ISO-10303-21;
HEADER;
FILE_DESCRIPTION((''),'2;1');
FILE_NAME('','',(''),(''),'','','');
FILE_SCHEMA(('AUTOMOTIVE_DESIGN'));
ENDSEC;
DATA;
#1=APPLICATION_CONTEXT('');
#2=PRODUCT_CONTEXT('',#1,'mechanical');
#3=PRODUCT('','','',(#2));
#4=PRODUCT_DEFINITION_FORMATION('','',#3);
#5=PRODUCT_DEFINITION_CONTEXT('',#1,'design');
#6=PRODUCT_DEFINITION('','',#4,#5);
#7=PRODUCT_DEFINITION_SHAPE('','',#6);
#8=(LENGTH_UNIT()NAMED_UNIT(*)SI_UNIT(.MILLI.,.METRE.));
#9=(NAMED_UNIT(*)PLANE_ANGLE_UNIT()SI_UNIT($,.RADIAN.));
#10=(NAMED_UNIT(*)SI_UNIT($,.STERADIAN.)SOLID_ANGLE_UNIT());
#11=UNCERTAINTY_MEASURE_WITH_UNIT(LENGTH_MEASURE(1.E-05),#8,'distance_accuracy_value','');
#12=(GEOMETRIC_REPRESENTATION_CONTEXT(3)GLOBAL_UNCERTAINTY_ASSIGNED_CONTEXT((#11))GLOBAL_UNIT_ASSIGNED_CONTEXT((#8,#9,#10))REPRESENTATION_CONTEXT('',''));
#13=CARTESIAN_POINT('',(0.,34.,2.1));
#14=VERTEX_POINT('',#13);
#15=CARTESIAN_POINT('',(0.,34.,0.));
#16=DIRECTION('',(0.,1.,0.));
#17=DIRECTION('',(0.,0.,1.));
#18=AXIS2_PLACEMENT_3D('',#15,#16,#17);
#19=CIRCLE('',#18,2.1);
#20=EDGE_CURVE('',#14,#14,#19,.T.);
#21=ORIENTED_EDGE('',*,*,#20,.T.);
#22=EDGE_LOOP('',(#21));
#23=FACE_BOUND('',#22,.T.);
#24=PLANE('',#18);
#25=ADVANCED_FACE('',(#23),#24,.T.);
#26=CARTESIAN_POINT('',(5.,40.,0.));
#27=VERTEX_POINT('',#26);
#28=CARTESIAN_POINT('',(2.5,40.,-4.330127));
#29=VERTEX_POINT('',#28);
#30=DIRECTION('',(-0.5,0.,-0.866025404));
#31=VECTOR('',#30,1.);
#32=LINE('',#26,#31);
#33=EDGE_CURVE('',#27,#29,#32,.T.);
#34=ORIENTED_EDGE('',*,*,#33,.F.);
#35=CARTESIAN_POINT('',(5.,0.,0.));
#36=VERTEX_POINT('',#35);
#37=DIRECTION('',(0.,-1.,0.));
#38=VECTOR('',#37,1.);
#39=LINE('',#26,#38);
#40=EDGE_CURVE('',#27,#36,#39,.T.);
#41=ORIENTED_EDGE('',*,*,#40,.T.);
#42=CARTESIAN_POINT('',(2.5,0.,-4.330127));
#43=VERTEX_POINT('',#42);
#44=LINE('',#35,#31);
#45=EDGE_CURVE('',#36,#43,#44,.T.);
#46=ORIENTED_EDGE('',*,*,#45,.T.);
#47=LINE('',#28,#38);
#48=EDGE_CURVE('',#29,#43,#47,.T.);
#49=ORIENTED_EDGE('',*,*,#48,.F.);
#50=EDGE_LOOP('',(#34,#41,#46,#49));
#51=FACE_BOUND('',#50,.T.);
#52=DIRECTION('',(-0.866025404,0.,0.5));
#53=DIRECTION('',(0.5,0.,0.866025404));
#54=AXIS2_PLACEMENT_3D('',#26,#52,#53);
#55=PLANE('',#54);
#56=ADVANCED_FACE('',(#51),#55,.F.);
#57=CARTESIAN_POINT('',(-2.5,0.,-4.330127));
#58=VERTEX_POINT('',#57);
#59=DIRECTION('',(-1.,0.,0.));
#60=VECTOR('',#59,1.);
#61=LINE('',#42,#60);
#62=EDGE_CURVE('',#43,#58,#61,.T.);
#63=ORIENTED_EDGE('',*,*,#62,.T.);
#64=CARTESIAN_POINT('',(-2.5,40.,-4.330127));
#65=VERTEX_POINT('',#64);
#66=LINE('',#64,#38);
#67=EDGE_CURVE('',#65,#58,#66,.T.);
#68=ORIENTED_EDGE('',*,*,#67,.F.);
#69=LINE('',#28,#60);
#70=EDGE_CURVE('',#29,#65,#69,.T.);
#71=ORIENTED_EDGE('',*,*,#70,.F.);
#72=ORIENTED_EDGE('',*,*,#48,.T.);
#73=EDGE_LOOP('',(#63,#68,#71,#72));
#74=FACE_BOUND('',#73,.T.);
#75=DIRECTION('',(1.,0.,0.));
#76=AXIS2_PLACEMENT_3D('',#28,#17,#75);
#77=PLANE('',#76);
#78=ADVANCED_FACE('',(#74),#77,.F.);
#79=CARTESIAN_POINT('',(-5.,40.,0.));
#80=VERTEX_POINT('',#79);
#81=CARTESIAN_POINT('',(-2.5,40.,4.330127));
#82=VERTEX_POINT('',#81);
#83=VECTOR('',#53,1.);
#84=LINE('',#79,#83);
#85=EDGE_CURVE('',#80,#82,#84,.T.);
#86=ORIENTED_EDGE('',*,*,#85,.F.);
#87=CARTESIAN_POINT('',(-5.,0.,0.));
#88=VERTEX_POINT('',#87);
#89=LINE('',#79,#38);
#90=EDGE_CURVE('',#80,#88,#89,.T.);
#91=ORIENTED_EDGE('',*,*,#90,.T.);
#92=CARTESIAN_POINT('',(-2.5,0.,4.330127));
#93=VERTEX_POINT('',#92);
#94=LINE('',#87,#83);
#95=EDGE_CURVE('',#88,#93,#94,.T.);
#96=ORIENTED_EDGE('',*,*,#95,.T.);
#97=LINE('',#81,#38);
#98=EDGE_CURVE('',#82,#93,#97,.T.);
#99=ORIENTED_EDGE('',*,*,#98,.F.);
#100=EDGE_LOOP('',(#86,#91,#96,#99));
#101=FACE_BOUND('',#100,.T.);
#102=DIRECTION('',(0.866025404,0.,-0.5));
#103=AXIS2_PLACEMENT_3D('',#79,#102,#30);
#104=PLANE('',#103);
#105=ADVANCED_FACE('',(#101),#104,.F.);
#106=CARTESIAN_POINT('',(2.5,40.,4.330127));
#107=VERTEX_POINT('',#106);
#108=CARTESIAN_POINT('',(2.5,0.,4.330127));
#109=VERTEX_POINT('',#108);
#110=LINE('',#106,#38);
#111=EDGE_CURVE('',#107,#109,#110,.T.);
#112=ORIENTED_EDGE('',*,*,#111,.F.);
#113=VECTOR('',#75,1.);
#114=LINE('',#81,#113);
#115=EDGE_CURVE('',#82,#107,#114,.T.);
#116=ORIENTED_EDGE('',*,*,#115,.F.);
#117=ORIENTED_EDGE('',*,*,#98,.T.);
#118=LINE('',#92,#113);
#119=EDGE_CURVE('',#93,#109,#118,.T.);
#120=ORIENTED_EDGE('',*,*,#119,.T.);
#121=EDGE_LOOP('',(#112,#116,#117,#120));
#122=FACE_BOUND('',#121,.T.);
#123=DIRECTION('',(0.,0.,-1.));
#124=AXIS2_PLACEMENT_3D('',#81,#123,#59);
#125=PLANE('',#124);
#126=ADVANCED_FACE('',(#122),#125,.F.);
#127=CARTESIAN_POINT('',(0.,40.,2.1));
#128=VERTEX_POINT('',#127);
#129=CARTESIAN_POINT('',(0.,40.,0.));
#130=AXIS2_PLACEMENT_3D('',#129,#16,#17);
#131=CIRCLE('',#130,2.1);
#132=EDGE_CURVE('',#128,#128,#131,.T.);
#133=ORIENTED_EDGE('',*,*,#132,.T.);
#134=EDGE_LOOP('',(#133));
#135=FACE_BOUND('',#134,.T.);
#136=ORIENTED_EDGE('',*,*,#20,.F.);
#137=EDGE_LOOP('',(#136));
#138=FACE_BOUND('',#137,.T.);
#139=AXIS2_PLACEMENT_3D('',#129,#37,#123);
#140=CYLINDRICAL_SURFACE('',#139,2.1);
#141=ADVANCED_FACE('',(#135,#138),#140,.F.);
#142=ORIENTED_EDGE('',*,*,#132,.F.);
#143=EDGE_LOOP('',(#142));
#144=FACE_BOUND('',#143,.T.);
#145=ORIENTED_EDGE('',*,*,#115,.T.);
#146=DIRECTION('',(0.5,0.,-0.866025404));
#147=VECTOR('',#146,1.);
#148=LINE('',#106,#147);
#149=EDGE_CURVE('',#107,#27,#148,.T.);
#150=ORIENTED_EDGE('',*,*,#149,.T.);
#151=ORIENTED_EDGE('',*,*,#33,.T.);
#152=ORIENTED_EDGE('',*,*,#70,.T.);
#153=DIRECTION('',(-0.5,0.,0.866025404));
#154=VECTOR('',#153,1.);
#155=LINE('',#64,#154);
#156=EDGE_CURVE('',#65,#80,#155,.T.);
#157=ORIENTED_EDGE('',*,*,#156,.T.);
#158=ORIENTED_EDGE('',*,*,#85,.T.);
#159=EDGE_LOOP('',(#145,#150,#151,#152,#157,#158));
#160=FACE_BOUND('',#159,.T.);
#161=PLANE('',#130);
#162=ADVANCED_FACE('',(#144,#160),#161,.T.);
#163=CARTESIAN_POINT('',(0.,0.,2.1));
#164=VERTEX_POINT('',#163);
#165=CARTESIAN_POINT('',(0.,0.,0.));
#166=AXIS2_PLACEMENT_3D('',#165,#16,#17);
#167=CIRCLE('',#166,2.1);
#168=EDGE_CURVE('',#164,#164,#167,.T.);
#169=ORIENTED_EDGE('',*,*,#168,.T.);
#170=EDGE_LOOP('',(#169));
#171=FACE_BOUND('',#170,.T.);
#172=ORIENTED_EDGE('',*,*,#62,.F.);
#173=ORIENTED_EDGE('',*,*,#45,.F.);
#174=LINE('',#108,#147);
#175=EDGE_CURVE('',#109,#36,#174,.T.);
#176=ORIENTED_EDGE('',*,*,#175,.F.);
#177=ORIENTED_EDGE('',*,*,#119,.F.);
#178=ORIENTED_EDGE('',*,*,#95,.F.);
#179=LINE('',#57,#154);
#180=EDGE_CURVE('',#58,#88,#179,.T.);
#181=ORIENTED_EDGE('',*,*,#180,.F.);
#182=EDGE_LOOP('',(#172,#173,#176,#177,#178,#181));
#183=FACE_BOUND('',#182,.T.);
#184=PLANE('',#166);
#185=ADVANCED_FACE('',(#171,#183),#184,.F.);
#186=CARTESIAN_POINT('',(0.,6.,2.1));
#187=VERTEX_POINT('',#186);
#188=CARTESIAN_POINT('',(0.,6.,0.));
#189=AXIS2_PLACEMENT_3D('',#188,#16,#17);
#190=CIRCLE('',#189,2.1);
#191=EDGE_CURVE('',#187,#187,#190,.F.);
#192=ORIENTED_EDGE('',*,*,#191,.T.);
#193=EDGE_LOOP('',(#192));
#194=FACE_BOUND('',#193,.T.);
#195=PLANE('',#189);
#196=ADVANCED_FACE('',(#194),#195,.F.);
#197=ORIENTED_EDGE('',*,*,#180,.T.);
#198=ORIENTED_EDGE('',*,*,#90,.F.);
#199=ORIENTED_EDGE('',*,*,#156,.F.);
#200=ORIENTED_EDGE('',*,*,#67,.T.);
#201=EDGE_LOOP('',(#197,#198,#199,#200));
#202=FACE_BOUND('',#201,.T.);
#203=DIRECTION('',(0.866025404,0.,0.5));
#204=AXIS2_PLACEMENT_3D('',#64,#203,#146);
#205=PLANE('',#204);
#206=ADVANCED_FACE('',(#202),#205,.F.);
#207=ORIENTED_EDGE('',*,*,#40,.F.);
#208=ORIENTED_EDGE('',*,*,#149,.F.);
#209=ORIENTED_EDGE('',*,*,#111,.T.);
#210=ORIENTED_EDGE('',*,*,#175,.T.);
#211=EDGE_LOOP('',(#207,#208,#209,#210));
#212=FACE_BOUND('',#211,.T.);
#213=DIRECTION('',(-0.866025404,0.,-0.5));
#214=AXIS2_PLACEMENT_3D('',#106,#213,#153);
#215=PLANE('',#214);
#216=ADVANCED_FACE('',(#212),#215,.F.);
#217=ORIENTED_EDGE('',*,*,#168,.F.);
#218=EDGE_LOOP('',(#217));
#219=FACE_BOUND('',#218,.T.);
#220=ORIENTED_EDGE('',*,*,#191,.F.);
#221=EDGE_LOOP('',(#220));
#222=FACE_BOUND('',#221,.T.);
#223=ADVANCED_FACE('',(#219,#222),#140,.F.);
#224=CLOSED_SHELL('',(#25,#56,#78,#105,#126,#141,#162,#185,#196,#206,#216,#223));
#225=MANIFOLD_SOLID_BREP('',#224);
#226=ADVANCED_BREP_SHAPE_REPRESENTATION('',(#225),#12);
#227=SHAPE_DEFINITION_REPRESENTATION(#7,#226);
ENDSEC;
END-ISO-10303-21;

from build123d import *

# Parameters (mm, degrees)
SKETCH1_R                = 2.1
BOSS_EXTRUDE1_DEPTH      = 40
BOSS_EXTRUDE3_DEPTH      = 14
BOSS_EXTRUDE3_DEPTH_BACK = 14
SKETCH2_R                = 2.1


with BuildPart() as part:
    # Sketch1 → Boss-Extrude1 (new body)
    with BuildSketch(Plane(origin=(0, 0, 0), x_dir=(1, 0, 0), z_dir=(0, 1, 0))):
        Polygon((5, 0), (2.5, 4.330127019), (-2.5, 4.330127019), (-5, 0), (-2.5, -4.330127019), (2.5, -4.330127019), align=None)
        with Locations(Location((0, 0, 0), (0, 0, 270))):
            Circle(SKETCH1_R, mode=Mode.SUBTRACT)
    extrude(amount=BOSS_EXTRUDE1_DEPTH)

    # Sketch2 → Boss-Extrude3 (add, two sides: drawn at the far end of the back side and taken through both)
    with BuildSketch(Plane(origin=(0, 20, 0), x_dir=(1, 0, 0), z_dir=(0, 1, 0)).offset(-BOSS_EXTRUDE3_DEPTH_BACK)):
        with Locations(Location((0, 0, 0), (0, 0, 270))):
            Circle(SKETCH2_R)
    extrude(amount=BOSS_EXTRUDE3_DEPTH + BOSS_EXTRUDE3_DEPTH_BACK)


solid = part.part
